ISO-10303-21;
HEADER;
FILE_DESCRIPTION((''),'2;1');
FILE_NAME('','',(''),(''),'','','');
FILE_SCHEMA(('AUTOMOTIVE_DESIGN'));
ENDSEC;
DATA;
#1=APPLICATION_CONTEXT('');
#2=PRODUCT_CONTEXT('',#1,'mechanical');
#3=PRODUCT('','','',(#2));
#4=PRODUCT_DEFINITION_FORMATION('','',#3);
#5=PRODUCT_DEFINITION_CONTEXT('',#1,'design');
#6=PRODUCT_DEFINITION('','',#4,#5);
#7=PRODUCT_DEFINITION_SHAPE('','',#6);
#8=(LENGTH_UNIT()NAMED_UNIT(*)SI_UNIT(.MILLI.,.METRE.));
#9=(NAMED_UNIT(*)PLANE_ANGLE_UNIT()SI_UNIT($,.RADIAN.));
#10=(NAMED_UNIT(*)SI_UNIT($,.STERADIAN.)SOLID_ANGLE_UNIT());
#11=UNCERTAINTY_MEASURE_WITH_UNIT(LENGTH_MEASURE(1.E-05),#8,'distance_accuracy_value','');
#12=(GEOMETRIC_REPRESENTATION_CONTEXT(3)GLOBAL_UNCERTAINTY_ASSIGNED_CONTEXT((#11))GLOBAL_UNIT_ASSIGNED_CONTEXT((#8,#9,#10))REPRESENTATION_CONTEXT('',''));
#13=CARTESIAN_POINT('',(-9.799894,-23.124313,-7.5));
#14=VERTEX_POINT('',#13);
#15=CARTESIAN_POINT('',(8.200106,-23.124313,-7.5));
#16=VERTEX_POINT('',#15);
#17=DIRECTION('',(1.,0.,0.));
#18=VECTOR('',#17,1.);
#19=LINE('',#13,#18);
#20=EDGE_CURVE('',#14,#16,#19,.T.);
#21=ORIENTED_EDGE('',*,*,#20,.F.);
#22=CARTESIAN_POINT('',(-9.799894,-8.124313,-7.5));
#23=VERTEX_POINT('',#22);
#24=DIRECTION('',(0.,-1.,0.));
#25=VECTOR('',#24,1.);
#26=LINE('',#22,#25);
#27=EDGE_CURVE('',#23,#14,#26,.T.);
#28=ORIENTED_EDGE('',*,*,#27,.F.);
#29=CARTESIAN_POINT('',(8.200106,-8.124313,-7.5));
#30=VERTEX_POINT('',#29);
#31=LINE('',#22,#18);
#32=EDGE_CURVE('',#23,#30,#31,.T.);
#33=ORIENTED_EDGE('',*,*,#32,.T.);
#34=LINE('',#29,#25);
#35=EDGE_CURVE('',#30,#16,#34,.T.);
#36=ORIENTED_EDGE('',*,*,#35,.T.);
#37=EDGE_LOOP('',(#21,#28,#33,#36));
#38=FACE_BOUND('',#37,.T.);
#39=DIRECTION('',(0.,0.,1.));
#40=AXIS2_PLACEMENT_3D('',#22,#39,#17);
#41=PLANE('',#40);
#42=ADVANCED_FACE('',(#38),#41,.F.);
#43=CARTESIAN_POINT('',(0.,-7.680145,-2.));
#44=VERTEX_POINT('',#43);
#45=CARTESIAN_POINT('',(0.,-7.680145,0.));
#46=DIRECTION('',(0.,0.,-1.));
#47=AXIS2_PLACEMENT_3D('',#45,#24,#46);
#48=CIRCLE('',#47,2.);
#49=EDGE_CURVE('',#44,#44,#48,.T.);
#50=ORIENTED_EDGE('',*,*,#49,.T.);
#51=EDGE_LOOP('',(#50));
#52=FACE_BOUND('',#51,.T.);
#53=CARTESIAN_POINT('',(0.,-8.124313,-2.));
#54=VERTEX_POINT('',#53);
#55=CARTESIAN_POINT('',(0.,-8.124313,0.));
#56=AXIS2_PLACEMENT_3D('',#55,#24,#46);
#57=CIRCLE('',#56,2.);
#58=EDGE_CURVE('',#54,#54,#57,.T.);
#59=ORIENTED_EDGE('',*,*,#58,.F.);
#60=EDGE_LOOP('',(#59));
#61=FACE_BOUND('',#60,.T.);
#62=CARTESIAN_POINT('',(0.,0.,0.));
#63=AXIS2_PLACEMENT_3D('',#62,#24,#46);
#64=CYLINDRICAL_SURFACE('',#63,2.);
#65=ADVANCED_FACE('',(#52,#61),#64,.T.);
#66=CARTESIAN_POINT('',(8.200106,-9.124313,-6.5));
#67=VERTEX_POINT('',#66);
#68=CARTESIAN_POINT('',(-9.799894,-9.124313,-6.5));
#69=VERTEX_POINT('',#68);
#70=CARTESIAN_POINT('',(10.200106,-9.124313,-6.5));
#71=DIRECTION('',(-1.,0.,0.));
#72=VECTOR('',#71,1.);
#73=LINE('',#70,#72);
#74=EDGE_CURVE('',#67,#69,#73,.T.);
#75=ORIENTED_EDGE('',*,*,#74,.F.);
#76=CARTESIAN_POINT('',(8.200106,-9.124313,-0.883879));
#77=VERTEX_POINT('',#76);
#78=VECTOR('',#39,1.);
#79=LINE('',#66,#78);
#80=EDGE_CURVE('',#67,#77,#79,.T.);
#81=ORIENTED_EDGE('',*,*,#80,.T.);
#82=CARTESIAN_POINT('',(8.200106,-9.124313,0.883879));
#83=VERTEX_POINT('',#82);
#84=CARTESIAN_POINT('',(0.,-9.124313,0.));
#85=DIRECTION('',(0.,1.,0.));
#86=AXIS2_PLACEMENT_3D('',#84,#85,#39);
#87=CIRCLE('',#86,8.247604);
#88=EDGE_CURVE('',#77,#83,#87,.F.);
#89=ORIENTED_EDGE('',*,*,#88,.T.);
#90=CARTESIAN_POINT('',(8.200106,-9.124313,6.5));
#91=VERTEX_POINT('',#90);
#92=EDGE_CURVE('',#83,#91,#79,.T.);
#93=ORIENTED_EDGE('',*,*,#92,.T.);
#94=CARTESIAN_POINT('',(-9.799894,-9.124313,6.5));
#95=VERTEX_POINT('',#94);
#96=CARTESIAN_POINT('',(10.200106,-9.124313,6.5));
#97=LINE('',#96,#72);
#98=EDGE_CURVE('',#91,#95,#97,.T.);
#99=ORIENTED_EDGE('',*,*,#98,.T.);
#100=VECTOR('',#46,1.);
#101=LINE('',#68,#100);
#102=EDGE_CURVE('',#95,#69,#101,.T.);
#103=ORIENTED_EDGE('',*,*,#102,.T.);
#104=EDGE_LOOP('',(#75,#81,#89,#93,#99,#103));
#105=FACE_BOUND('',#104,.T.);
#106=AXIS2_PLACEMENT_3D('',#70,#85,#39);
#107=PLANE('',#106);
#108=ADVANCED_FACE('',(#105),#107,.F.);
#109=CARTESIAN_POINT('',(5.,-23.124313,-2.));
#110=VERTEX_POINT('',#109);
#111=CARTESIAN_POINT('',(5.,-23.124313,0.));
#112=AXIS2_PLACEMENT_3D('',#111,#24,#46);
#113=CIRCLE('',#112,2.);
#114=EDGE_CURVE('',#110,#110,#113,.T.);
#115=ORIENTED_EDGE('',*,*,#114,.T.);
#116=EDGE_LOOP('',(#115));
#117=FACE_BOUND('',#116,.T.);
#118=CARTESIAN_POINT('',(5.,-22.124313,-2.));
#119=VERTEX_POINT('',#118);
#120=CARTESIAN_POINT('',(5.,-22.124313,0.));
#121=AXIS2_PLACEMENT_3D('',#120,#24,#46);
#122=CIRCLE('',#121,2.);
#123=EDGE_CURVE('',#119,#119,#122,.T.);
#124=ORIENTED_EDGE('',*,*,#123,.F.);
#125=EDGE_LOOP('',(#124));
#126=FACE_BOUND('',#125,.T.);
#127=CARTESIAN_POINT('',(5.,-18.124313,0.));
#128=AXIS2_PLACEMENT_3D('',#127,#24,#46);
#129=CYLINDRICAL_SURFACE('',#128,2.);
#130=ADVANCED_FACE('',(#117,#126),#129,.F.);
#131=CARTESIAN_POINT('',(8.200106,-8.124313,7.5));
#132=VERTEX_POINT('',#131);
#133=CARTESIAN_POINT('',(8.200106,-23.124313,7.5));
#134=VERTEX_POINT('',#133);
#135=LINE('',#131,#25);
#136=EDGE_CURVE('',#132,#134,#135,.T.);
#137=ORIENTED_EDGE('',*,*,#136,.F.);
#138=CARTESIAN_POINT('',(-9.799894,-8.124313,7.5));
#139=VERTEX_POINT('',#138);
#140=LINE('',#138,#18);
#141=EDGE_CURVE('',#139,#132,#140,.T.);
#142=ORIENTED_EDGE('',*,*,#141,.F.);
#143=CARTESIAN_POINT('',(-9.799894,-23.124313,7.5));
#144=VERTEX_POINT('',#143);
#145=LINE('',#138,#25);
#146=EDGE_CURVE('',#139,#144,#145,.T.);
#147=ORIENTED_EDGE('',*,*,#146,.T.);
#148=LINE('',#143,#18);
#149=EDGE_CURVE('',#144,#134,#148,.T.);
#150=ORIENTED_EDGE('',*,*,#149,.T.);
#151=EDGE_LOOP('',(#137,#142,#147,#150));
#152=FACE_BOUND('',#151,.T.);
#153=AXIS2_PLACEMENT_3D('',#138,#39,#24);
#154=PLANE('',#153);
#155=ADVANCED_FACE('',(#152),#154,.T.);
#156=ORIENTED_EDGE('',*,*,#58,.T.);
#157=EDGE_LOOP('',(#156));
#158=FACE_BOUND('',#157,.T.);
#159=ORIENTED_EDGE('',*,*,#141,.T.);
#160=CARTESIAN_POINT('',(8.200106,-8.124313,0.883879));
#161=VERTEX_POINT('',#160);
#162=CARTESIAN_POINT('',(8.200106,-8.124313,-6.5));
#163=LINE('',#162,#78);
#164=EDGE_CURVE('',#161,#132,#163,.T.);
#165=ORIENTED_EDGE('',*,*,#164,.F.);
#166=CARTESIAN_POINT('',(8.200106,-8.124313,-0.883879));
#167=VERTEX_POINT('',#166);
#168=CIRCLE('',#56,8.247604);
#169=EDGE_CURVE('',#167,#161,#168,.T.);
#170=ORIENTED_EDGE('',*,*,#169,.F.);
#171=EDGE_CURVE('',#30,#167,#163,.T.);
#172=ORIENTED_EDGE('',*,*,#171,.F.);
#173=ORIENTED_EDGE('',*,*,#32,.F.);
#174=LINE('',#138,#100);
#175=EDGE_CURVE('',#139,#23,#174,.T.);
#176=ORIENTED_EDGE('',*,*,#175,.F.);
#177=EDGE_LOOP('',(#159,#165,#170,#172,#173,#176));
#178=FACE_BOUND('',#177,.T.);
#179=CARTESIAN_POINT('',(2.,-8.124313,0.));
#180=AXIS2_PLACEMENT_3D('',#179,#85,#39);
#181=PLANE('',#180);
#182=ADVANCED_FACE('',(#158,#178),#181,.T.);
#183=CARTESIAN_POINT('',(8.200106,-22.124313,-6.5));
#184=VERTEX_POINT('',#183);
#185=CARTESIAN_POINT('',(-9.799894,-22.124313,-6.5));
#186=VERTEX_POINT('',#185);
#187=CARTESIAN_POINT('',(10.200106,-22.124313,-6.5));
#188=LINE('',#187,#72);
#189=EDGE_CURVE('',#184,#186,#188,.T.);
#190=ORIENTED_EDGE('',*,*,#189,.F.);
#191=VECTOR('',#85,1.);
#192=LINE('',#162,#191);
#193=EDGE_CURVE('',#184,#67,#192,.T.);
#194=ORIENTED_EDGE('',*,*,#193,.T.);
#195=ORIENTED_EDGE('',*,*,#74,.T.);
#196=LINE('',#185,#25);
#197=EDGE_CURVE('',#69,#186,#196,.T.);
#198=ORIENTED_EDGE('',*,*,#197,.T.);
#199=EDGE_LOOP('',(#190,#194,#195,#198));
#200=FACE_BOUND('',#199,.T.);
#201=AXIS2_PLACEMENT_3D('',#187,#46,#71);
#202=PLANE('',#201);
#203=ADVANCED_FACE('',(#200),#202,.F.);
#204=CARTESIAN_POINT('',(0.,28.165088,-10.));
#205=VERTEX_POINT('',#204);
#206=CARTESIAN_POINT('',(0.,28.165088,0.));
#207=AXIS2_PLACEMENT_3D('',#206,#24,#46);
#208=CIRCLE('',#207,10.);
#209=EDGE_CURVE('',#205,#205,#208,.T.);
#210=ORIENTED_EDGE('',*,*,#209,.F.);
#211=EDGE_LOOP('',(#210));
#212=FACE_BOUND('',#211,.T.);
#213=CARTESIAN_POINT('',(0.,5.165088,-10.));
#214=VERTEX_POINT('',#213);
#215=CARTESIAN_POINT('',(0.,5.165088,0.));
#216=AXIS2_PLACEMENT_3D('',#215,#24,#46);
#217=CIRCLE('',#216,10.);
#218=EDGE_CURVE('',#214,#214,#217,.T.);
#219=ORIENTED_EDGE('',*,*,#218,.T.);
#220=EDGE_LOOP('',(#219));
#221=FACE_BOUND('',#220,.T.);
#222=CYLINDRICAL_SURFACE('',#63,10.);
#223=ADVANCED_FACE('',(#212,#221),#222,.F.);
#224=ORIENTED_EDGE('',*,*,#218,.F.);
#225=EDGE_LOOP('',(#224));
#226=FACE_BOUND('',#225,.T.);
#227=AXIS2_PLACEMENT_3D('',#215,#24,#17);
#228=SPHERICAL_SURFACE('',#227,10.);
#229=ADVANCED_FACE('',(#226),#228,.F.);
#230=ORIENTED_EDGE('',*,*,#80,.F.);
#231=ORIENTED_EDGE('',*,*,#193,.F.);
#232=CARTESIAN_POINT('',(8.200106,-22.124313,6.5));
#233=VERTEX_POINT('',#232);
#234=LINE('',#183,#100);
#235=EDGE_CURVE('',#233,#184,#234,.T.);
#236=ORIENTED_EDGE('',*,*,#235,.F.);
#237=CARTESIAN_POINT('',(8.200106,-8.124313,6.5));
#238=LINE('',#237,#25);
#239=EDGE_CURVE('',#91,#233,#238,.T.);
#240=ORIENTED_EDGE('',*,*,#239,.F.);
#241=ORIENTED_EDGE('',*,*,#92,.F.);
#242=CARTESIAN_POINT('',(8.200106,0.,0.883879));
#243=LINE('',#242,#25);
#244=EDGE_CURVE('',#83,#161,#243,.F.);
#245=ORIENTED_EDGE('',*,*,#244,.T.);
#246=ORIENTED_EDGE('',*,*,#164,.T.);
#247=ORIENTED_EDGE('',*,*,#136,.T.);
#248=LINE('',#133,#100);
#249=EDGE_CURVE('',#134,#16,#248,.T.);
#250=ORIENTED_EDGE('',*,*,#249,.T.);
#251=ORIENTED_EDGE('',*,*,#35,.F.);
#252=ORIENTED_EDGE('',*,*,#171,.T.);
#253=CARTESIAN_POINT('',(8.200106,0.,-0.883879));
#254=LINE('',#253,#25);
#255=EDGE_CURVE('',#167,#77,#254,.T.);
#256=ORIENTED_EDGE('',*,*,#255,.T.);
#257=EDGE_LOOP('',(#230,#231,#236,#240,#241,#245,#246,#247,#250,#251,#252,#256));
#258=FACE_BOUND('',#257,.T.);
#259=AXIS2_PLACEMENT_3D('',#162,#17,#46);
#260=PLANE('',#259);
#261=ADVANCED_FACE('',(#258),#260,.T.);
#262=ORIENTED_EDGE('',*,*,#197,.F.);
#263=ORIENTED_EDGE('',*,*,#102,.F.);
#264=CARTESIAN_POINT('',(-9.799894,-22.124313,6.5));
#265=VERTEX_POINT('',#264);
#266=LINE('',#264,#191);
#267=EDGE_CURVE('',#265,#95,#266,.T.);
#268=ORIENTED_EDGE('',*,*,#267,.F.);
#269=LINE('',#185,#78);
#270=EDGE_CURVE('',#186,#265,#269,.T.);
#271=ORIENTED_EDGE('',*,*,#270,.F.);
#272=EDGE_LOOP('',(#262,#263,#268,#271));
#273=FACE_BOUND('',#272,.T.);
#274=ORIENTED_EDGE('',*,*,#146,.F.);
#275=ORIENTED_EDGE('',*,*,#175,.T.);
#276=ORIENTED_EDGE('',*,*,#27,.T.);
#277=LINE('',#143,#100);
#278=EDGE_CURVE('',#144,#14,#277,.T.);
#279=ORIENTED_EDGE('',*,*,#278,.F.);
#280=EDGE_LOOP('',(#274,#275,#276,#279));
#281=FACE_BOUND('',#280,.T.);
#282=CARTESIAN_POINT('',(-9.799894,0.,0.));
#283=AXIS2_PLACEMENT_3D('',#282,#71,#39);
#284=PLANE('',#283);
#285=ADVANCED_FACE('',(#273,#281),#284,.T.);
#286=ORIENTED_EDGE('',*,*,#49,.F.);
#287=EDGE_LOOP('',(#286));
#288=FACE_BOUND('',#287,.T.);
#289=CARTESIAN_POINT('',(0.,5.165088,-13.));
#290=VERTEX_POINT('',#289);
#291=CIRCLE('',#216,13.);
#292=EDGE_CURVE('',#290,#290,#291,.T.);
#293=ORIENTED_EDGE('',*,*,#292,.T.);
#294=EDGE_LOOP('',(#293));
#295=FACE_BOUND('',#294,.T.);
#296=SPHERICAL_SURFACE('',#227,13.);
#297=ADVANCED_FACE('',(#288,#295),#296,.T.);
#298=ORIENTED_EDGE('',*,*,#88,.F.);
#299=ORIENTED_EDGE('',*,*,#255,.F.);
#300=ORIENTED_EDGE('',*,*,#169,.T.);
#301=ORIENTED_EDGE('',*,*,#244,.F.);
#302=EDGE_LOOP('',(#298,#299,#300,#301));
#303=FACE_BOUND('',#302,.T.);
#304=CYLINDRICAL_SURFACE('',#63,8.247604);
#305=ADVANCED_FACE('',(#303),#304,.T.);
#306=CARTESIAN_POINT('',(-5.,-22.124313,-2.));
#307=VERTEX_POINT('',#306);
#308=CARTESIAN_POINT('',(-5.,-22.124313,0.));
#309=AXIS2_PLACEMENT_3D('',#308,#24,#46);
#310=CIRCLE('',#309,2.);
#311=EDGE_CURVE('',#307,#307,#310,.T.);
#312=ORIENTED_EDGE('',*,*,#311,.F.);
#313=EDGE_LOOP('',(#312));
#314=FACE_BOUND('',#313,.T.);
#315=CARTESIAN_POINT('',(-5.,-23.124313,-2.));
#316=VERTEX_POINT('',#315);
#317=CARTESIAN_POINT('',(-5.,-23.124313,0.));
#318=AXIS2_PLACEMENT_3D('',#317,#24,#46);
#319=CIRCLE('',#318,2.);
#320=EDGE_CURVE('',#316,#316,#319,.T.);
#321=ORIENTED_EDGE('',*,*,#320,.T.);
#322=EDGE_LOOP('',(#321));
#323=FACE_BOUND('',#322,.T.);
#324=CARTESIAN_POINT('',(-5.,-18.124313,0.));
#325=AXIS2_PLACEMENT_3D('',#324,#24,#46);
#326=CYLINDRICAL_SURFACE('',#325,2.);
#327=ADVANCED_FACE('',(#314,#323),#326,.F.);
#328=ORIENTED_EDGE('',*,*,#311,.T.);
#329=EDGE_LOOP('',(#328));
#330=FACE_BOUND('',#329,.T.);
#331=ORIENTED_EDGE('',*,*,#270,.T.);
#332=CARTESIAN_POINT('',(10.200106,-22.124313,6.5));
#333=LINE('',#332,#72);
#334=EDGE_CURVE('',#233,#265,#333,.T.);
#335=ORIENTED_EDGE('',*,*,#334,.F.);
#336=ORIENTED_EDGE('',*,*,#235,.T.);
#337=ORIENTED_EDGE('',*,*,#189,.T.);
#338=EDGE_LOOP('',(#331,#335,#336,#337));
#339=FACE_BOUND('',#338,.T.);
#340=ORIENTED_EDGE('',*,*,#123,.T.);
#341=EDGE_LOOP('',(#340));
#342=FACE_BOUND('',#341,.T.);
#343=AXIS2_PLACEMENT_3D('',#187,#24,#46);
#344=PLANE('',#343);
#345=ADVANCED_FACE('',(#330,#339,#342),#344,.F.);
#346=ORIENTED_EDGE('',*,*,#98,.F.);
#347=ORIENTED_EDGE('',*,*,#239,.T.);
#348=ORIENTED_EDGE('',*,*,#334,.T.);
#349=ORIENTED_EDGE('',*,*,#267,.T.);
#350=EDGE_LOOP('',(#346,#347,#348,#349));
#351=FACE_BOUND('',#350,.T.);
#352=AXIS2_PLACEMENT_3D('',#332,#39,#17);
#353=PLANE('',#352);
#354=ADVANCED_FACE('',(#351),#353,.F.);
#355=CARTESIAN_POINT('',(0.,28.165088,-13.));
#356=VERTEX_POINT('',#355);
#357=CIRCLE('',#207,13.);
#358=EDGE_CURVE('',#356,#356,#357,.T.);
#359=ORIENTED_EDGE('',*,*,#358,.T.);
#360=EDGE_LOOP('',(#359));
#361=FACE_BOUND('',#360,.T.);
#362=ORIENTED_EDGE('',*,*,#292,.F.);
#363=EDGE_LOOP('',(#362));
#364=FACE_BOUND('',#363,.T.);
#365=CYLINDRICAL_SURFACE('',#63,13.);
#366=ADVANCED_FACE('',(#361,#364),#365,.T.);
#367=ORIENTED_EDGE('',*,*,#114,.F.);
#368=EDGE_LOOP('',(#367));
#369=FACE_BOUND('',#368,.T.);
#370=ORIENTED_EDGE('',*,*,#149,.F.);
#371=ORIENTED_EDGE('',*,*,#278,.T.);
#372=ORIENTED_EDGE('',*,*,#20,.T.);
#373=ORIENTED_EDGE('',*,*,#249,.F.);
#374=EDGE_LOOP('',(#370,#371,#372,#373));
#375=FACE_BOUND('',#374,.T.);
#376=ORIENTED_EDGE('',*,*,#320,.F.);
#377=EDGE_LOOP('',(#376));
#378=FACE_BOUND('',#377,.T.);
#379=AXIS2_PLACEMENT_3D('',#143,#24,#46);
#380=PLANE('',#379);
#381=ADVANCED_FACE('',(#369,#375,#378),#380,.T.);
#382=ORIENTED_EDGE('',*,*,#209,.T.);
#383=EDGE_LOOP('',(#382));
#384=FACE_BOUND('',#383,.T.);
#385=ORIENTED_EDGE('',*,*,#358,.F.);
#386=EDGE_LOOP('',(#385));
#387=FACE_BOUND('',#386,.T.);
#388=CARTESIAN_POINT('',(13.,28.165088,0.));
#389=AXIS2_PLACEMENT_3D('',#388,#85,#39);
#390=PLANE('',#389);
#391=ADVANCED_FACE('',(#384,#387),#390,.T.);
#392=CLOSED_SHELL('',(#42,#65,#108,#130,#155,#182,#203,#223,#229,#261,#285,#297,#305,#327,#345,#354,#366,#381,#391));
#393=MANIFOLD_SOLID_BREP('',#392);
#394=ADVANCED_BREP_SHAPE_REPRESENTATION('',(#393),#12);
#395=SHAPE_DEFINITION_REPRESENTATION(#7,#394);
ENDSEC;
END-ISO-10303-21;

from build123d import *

# Parameters (mm, degrees)
SKETCH2_W           = 16.400211148
SKETCH2_H           = 13
BOSS_EXTRUDE1_DEPTH = 3
SKETCH3_W           = 16.430845556
SKETCH3_H           = 2.401527161
SKETCH3_H_2         = 2.320561052
CUT_EXTRUDE1_DEPTH  = 3
SKETCH4_R           = 2
CUT_EXTRUDE2_DEPTH  = 3
SKETCH5_W           = 15
SKETCH5_H           = 15
BOSS_EXTRUDE3_DEPTH = 18
SKETCH6_W           = 13
SKETCH6_H           = 13
CUT_EXTRUDE3_DEPTH  = 20
SKETCH7_R           = 2
CUT_EXTRUDE4_DEPTH  = 5


with BuildPart() as part:
    # Sketch1 → Revolve1 (revolve)
    with BuildSketch(Plane.XY, mode=Mode.PRIVATE) as revolve1_sk:
        with BuildLine():
            Line((10, 25.165087569), (10, 5.165087569))
            ThreePointArc((10, 5.165087569), (7.071067812, -1.905980243), (0, -4.834912431))
            Line((0, -4.834912431), (0, -9.834912431))
            Line((0, -9.834912431), (0, -11.124312847))
            Line((0, -11.124312847), (8.247604153, -11.124312847))
            Line((8.247604153, -11.124312847), (8.247604153, -8.124312847))
            Line((8.247604153, -8.124312847), (2, -8.124312847))
            Line((2, -8.124312847), (2, -7.680145009))
            ThreePointArc((2, -7.680145009), (9.874208829, -3.290679693), (13, 5.165087569))
            Line((13, 5.165087569), (13, 28.165087569))
            Line((13, 28.165087569), (10, 28.165087569))
            Line((10, 28.165087569), (10, 25.165087569))
        make_face()
    revolve(revolve1_sk.sketch.rotate(Axis((0, 0, 0), (0, 1, 0)), 90), axis=Axis((0, 0, 0), (0, 1, 0)))

    # Sketch2 → Boss-Extrude1 (add)
    with BuildSketch(Plane.XZ.offset(11.124312847)):
        Rectangle(SKETCH2_W, SKETCH2_H)
    extrude(amount=-BOSS_EXTRUDE1_DEPTH)

    # Sketch3 → Cut-Extrude1 (cut)
    with BuildSketch(Plane.XZ.offset(11.124312847)):
        with Locations((0.015317204, 7.700763581)):
            Rectangle(SKETCH3_W, SKETCH3_H)
        with Locations((0.015317204, -7.704987868)):
            Rectangle(SKETCH3_W, SKETCH3_H_2)
    extrude(amount=-CUT_EXTRUDE1_DEPTH, mode=Mode.SUBTRACT)

    # Sketch4 → Cut-Extrude2 (cut)
    with BuildSketch(Plane.XZ.offset(11.124312847)):
        with Locations(Location((5, 0, 0), (0, 0, 270))):
            Circle(SKETCH4_R)
        with Locations(Location((-5, 0, 0), (0, 0, 270))):
            Circle(SKETCH4_R)
    extrude(amount=-CUT_EXTRUDE2_DEPTH, mode=Mode.SUBTRACT)

    # Sketch5 → Boss-Extrude3 (add)
    with BuildSketch(Plane(origin=(8.200105574, 0, 0), x_dir=(0, 0, -1), z_dir=(1, 0, 0))):
        with Locations((0, -15.624312847)):
            Rectangle(SKETCH5_W, SKETCH5_H)
    extrude(amount=-BOSS_EXTRUDE3_DEPTH)

    # Sketch6 → Cut-Extrude3 (cut)
    with BuildSketch(Plane.ZY.offset(9.799894426)):
        with Locations((0, -15.624312847)):
            Rectangle(SKETCH6_W, SKETCH6_H)
    extrude(amount=-CUT_EXTRUDE3_DEPTH, mode=Mode.SUBTRACT)

    # Sketch7 → Cut-Extrude4 (cut)
    with BuildSketch(Plane.XZ.offset(23.124312847)):
        with Locations(Location((-5, 0, 0), (0, 0, 270))):
            Circle(SKETCH7_R)
        with Locations(Location((5, 0, 0), (0, 0, 270))):
            Circle(SKETCH7_R)
    extrude(amount=-CUT_EXTRUDE4_DEPTH, mode=Mode.SUBTRACT)


solid = part.part
